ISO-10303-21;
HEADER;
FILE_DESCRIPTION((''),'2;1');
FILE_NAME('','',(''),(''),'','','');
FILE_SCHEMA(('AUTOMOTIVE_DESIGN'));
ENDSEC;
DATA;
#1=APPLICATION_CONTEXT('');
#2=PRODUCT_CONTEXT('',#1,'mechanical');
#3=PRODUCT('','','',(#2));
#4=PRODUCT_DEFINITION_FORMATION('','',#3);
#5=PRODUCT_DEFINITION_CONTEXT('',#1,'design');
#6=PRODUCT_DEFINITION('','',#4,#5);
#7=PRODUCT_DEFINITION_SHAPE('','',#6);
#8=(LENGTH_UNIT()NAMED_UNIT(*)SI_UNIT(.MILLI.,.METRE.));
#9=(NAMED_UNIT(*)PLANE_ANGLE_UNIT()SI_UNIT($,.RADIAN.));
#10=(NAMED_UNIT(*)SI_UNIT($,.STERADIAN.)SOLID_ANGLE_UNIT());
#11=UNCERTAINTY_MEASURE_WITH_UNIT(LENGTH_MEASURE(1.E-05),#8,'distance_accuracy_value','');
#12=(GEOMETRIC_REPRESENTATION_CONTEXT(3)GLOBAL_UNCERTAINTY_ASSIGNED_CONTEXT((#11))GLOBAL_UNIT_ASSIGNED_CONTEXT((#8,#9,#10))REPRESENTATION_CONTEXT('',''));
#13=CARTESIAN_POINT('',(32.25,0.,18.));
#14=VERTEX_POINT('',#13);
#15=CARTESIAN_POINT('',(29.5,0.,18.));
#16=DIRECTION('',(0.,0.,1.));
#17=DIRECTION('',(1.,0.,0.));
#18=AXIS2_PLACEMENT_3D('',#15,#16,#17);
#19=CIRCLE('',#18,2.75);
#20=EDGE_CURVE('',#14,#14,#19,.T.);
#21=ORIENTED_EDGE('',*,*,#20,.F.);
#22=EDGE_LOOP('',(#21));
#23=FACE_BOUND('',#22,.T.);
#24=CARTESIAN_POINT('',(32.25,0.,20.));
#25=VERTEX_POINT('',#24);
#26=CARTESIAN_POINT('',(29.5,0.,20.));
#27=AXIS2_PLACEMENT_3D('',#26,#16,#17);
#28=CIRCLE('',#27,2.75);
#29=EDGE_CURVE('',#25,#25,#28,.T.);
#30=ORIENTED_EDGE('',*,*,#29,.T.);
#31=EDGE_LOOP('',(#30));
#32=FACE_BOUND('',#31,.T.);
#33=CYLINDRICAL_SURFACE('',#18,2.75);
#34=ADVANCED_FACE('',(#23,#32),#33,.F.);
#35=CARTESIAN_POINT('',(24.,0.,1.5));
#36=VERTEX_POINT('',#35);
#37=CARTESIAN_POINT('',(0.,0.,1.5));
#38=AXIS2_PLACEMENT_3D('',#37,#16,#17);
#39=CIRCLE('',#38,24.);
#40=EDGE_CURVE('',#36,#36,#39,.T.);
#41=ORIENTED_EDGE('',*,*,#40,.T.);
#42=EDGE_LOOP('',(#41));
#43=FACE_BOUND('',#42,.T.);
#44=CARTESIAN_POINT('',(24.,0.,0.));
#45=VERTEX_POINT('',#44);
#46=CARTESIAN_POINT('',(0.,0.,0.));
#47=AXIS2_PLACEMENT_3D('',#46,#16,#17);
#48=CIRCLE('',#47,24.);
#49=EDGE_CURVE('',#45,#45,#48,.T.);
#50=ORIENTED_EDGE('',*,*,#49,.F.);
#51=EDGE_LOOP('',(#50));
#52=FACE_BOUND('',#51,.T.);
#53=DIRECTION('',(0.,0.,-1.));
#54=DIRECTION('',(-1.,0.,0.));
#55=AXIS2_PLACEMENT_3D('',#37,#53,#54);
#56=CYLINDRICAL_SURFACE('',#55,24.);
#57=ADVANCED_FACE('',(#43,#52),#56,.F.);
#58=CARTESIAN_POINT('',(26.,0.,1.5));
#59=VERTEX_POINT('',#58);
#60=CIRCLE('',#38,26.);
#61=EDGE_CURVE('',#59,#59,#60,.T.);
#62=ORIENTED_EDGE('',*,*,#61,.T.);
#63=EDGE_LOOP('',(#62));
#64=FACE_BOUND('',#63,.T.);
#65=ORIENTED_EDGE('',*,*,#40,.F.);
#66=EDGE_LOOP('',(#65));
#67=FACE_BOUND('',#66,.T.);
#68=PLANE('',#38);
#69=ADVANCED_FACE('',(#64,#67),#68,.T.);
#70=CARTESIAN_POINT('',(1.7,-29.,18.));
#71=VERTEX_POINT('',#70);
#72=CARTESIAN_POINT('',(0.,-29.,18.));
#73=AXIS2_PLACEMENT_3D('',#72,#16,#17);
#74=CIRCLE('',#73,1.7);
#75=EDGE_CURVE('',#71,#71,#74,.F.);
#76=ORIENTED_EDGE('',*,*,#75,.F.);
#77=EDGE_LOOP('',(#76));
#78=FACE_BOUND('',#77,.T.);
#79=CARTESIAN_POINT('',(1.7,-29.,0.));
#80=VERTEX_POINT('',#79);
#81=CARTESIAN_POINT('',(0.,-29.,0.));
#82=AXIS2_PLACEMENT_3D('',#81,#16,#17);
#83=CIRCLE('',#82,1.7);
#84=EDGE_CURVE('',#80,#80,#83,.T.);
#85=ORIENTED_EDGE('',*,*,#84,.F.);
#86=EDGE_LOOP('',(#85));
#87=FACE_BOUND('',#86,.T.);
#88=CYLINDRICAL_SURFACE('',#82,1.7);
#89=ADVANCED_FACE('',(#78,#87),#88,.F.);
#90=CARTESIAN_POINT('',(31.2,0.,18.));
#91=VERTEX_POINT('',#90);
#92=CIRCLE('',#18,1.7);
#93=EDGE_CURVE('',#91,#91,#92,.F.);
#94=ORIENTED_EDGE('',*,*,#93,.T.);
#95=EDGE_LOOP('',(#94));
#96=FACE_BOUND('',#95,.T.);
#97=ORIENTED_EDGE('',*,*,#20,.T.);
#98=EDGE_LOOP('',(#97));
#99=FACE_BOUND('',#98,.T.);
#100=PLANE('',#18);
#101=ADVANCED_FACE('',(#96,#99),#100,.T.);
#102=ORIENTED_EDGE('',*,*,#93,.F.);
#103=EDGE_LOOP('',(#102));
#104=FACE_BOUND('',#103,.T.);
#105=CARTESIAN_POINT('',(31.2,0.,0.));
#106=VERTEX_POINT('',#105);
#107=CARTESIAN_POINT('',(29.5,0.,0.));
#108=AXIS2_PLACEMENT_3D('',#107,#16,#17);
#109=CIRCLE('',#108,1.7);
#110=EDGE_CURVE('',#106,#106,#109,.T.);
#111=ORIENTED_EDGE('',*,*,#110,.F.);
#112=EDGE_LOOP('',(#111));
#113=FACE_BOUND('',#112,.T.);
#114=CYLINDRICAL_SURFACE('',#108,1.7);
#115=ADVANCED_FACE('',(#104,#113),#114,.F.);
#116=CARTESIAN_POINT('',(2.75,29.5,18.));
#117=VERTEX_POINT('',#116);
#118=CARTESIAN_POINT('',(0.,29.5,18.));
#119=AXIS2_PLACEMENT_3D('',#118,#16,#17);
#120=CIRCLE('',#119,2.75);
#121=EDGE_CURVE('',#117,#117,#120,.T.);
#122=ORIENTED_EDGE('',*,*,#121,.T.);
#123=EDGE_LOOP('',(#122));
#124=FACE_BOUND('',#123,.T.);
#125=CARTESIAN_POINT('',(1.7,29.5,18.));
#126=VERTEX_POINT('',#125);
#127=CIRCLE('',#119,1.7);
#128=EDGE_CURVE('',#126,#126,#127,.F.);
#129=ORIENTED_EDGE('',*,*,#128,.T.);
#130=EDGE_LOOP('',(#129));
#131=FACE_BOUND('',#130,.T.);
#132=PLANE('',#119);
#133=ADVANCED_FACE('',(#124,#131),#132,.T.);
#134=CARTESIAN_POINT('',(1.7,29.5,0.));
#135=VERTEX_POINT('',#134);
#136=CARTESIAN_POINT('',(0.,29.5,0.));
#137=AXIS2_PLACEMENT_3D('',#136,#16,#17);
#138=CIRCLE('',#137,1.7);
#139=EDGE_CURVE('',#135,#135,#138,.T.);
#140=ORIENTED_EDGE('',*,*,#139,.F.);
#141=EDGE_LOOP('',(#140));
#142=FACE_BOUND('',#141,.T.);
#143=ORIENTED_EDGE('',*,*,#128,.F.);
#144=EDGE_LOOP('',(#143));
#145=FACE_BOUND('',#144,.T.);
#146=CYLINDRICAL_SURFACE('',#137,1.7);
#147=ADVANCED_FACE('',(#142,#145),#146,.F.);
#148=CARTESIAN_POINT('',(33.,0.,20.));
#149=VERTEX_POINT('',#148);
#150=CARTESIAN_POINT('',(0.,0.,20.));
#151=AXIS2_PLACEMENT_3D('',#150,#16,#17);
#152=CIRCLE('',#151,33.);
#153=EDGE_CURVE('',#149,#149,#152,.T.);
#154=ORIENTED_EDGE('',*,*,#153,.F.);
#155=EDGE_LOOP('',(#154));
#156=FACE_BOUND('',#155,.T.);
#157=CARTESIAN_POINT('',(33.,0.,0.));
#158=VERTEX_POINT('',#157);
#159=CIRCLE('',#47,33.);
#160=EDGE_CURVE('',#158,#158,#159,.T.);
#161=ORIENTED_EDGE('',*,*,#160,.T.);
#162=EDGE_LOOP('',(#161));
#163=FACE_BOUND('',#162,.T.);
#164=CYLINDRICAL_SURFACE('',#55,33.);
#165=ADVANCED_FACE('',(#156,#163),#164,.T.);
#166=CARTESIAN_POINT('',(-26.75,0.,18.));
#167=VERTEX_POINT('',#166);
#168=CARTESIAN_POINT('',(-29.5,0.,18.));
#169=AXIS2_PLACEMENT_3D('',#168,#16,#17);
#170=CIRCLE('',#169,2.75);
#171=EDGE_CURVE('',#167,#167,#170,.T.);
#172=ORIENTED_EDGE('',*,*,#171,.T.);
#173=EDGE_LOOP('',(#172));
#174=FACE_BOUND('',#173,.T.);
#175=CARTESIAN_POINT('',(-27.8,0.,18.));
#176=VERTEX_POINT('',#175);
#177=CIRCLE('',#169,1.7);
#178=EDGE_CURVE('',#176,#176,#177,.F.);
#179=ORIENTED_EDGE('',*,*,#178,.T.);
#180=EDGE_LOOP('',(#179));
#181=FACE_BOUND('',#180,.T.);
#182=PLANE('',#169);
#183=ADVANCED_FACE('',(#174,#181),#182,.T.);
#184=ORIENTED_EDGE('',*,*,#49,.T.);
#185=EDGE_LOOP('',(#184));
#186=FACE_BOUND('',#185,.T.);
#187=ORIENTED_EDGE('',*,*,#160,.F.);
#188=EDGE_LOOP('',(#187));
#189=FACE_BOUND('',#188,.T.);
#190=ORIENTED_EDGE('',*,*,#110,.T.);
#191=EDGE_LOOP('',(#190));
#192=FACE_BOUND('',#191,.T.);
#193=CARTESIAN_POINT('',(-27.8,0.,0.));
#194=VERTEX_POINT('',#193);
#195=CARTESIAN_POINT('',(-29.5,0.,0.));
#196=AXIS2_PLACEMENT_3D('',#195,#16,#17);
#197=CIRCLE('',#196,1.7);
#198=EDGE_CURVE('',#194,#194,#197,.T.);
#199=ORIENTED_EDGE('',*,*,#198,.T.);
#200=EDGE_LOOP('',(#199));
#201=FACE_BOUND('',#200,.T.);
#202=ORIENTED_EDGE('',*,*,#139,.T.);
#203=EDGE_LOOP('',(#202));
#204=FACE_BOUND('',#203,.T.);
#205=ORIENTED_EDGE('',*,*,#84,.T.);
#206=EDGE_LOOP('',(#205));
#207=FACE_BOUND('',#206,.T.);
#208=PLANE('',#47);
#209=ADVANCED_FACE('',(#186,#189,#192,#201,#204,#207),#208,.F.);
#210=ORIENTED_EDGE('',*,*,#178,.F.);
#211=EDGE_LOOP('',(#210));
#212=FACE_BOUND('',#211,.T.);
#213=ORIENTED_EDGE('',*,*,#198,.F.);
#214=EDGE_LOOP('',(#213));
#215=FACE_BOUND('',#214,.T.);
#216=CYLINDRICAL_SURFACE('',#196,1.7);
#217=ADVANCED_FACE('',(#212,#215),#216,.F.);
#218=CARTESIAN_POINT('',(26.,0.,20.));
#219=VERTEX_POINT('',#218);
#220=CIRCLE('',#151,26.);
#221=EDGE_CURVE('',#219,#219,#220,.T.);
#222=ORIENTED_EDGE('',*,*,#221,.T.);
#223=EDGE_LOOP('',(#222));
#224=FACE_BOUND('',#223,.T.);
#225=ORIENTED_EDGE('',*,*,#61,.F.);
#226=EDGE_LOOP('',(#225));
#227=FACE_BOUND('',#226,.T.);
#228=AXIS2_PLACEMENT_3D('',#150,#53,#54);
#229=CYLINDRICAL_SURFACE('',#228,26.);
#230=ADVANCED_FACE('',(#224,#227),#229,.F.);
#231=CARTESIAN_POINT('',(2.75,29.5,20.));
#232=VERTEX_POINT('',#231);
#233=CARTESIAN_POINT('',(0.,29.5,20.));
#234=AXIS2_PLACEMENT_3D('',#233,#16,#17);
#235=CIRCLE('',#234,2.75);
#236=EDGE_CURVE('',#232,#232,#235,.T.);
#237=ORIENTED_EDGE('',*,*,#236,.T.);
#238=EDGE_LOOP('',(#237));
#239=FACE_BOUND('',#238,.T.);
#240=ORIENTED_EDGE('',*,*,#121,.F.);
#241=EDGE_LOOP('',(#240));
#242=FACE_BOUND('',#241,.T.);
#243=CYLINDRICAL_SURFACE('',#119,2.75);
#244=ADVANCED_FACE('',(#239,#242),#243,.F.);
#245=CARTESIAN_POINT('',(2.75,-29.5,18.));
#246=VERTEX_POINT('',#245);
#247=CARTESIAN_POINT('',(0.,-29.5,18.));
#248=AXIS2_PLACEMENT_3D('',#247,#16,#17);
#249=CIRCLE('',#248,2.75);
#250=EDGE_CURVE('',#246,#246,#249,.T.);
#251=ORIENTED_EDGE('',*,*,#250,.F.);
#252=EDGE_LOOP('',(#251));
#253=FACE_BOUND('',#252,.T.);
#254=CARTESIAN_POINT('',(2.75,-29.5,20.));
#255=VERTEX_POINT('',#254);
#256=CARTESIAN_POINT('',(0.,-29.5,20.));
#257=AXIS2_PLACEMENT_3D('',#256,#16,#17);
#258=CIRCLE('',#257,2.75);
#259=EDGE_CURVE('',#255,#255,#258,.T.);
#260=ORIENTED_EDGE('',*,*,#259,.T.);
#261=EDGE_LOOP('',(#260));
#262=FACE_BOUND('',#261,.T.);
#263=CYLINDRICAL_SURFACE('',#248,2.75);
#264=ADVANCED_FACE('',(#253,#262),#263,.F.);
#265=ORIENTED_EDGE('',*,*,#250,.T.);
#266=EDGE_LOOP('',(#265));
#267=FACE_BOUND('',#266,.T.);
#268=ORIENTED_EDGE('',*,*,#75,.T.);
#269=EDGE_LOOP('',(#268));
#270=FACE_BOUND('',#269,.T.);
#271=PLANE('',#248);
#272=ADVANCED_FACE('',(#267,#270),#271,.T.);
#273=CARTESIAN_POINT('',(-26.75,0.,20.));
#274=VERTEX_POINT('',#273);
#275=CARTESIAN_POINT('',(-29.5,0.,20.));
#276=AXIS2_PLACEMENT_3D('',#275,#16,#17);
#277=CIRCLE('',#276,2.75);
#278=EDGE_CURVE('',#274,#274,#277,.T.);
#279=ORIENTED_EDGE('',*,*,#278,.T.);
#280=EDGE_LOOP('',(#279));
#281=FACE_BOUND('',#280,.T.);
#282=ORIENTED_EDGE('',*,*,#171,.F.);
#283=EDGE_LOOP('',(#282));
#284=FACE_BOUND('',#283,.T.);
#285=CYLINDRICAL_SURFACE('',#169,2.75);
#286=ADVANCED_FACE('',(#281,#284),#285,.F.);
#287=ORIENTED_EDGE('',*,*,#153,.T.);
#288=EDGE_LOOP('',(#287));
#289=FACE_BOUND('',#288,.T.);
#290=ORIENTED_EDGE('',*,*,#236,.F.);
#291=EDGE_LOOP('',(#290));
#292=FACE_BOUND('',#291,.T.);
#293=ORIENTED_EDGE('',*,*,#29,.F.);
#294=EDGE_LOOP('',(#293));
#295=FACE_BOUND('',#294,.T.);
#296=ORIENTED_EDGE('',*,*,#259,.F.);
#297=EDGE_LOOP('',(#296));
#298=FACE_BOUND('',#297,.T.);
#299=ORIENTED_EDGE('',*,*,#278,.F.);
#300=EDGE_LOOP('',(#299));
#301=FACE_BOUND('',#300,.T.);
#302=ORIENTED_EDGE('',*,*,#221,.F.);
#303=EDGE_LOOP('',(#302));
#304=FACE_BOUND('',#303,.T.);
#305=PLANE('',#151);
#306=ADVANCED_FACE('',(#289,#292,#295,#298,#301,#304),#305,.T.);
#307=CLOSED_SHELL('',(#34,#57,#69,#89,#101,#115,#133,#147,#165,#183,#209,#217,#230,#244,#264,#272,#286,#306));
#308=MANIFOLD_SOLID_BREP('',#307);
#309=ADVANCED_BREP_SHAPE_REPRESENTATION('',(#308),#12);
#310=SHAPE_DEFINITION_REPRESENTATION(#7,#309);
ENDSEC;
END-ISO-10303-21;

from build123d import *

# Parameters (mm, degrees)
SKETCH1_R           = 33
SKETCH1_R_2         = 24
BOSS_EXTRUDE1_DEPTH = 1.5
SKETCH3_R           = 33
SKETCH3_R_2         = 26
BOSS_EXTRUDE2_DEPTH = 18.5
SKETCH4_R           = 1.7
CUT_EXTRUDE1_DEPTH  = 51.774009099
SKETCH5_R           = 2.75
CUT_EXTRUDE2_DEPTH  = 2


with BuildPart() as part:
    # Sketch1 → Boss-Extrude1 (new body)
    with BuildSketch(Plane.XY):
        Circle(SKETCH1_R)
        Circle(SKETCH1_R_2, mode=Mode.SUBTRACT)
    extrude(amount=BOSS_EXTRUDE1_DEPTH)

    # Sketch3 → Boss-Extrude2 (add)
    with BuildSketch(Plane.XY.offset(1.5)):
        Circle(SKETCH3_R)
        Circle(SKETCH3_R_2, mode=Mode.SUBTRACT)
    extrude(amount=BOSS_EXTRUDE2_DEPTH)

    # Sketch4 → Cut-Extrude1 (cut, through all)
    with BuildSketch(Plane.XY.offset(20)):
        with Locations((0, 29.5)):
            Circle(SKETCH4_R)
        with Locations((29.5, 0)):
            Circle(SKETCH4_R)
        with Locations((0, -29)):
            Circle(SKETCH4_R)
        with Locations((-29.5, 0)):
            Circle(SKETCH4_R)
    extrude(amount=-CUT_EXTRUDE1_DEPTH, mode=Mode.SUBTRACT)

    # Sketch5 → Cut-Extrude2 (cut)
    with BuildSketch(Plane.XY.offset(20)):
        with Locations((0, 29.5)):
            Circle(SKETCH5_R)
        with Locations((29.5, 0)):
            Circle(SKETCH5_R)
        with Locations((0, -29.5)):
            Circle(SKETCH5_R)
        with Locations((-29.5, 0)):
            Circle(SKETCH5_R)
    extrude(amount=-CUT_EXTRUDE2_DEPTH, mode=Mode.SUBTRACT)


solid = part.part
